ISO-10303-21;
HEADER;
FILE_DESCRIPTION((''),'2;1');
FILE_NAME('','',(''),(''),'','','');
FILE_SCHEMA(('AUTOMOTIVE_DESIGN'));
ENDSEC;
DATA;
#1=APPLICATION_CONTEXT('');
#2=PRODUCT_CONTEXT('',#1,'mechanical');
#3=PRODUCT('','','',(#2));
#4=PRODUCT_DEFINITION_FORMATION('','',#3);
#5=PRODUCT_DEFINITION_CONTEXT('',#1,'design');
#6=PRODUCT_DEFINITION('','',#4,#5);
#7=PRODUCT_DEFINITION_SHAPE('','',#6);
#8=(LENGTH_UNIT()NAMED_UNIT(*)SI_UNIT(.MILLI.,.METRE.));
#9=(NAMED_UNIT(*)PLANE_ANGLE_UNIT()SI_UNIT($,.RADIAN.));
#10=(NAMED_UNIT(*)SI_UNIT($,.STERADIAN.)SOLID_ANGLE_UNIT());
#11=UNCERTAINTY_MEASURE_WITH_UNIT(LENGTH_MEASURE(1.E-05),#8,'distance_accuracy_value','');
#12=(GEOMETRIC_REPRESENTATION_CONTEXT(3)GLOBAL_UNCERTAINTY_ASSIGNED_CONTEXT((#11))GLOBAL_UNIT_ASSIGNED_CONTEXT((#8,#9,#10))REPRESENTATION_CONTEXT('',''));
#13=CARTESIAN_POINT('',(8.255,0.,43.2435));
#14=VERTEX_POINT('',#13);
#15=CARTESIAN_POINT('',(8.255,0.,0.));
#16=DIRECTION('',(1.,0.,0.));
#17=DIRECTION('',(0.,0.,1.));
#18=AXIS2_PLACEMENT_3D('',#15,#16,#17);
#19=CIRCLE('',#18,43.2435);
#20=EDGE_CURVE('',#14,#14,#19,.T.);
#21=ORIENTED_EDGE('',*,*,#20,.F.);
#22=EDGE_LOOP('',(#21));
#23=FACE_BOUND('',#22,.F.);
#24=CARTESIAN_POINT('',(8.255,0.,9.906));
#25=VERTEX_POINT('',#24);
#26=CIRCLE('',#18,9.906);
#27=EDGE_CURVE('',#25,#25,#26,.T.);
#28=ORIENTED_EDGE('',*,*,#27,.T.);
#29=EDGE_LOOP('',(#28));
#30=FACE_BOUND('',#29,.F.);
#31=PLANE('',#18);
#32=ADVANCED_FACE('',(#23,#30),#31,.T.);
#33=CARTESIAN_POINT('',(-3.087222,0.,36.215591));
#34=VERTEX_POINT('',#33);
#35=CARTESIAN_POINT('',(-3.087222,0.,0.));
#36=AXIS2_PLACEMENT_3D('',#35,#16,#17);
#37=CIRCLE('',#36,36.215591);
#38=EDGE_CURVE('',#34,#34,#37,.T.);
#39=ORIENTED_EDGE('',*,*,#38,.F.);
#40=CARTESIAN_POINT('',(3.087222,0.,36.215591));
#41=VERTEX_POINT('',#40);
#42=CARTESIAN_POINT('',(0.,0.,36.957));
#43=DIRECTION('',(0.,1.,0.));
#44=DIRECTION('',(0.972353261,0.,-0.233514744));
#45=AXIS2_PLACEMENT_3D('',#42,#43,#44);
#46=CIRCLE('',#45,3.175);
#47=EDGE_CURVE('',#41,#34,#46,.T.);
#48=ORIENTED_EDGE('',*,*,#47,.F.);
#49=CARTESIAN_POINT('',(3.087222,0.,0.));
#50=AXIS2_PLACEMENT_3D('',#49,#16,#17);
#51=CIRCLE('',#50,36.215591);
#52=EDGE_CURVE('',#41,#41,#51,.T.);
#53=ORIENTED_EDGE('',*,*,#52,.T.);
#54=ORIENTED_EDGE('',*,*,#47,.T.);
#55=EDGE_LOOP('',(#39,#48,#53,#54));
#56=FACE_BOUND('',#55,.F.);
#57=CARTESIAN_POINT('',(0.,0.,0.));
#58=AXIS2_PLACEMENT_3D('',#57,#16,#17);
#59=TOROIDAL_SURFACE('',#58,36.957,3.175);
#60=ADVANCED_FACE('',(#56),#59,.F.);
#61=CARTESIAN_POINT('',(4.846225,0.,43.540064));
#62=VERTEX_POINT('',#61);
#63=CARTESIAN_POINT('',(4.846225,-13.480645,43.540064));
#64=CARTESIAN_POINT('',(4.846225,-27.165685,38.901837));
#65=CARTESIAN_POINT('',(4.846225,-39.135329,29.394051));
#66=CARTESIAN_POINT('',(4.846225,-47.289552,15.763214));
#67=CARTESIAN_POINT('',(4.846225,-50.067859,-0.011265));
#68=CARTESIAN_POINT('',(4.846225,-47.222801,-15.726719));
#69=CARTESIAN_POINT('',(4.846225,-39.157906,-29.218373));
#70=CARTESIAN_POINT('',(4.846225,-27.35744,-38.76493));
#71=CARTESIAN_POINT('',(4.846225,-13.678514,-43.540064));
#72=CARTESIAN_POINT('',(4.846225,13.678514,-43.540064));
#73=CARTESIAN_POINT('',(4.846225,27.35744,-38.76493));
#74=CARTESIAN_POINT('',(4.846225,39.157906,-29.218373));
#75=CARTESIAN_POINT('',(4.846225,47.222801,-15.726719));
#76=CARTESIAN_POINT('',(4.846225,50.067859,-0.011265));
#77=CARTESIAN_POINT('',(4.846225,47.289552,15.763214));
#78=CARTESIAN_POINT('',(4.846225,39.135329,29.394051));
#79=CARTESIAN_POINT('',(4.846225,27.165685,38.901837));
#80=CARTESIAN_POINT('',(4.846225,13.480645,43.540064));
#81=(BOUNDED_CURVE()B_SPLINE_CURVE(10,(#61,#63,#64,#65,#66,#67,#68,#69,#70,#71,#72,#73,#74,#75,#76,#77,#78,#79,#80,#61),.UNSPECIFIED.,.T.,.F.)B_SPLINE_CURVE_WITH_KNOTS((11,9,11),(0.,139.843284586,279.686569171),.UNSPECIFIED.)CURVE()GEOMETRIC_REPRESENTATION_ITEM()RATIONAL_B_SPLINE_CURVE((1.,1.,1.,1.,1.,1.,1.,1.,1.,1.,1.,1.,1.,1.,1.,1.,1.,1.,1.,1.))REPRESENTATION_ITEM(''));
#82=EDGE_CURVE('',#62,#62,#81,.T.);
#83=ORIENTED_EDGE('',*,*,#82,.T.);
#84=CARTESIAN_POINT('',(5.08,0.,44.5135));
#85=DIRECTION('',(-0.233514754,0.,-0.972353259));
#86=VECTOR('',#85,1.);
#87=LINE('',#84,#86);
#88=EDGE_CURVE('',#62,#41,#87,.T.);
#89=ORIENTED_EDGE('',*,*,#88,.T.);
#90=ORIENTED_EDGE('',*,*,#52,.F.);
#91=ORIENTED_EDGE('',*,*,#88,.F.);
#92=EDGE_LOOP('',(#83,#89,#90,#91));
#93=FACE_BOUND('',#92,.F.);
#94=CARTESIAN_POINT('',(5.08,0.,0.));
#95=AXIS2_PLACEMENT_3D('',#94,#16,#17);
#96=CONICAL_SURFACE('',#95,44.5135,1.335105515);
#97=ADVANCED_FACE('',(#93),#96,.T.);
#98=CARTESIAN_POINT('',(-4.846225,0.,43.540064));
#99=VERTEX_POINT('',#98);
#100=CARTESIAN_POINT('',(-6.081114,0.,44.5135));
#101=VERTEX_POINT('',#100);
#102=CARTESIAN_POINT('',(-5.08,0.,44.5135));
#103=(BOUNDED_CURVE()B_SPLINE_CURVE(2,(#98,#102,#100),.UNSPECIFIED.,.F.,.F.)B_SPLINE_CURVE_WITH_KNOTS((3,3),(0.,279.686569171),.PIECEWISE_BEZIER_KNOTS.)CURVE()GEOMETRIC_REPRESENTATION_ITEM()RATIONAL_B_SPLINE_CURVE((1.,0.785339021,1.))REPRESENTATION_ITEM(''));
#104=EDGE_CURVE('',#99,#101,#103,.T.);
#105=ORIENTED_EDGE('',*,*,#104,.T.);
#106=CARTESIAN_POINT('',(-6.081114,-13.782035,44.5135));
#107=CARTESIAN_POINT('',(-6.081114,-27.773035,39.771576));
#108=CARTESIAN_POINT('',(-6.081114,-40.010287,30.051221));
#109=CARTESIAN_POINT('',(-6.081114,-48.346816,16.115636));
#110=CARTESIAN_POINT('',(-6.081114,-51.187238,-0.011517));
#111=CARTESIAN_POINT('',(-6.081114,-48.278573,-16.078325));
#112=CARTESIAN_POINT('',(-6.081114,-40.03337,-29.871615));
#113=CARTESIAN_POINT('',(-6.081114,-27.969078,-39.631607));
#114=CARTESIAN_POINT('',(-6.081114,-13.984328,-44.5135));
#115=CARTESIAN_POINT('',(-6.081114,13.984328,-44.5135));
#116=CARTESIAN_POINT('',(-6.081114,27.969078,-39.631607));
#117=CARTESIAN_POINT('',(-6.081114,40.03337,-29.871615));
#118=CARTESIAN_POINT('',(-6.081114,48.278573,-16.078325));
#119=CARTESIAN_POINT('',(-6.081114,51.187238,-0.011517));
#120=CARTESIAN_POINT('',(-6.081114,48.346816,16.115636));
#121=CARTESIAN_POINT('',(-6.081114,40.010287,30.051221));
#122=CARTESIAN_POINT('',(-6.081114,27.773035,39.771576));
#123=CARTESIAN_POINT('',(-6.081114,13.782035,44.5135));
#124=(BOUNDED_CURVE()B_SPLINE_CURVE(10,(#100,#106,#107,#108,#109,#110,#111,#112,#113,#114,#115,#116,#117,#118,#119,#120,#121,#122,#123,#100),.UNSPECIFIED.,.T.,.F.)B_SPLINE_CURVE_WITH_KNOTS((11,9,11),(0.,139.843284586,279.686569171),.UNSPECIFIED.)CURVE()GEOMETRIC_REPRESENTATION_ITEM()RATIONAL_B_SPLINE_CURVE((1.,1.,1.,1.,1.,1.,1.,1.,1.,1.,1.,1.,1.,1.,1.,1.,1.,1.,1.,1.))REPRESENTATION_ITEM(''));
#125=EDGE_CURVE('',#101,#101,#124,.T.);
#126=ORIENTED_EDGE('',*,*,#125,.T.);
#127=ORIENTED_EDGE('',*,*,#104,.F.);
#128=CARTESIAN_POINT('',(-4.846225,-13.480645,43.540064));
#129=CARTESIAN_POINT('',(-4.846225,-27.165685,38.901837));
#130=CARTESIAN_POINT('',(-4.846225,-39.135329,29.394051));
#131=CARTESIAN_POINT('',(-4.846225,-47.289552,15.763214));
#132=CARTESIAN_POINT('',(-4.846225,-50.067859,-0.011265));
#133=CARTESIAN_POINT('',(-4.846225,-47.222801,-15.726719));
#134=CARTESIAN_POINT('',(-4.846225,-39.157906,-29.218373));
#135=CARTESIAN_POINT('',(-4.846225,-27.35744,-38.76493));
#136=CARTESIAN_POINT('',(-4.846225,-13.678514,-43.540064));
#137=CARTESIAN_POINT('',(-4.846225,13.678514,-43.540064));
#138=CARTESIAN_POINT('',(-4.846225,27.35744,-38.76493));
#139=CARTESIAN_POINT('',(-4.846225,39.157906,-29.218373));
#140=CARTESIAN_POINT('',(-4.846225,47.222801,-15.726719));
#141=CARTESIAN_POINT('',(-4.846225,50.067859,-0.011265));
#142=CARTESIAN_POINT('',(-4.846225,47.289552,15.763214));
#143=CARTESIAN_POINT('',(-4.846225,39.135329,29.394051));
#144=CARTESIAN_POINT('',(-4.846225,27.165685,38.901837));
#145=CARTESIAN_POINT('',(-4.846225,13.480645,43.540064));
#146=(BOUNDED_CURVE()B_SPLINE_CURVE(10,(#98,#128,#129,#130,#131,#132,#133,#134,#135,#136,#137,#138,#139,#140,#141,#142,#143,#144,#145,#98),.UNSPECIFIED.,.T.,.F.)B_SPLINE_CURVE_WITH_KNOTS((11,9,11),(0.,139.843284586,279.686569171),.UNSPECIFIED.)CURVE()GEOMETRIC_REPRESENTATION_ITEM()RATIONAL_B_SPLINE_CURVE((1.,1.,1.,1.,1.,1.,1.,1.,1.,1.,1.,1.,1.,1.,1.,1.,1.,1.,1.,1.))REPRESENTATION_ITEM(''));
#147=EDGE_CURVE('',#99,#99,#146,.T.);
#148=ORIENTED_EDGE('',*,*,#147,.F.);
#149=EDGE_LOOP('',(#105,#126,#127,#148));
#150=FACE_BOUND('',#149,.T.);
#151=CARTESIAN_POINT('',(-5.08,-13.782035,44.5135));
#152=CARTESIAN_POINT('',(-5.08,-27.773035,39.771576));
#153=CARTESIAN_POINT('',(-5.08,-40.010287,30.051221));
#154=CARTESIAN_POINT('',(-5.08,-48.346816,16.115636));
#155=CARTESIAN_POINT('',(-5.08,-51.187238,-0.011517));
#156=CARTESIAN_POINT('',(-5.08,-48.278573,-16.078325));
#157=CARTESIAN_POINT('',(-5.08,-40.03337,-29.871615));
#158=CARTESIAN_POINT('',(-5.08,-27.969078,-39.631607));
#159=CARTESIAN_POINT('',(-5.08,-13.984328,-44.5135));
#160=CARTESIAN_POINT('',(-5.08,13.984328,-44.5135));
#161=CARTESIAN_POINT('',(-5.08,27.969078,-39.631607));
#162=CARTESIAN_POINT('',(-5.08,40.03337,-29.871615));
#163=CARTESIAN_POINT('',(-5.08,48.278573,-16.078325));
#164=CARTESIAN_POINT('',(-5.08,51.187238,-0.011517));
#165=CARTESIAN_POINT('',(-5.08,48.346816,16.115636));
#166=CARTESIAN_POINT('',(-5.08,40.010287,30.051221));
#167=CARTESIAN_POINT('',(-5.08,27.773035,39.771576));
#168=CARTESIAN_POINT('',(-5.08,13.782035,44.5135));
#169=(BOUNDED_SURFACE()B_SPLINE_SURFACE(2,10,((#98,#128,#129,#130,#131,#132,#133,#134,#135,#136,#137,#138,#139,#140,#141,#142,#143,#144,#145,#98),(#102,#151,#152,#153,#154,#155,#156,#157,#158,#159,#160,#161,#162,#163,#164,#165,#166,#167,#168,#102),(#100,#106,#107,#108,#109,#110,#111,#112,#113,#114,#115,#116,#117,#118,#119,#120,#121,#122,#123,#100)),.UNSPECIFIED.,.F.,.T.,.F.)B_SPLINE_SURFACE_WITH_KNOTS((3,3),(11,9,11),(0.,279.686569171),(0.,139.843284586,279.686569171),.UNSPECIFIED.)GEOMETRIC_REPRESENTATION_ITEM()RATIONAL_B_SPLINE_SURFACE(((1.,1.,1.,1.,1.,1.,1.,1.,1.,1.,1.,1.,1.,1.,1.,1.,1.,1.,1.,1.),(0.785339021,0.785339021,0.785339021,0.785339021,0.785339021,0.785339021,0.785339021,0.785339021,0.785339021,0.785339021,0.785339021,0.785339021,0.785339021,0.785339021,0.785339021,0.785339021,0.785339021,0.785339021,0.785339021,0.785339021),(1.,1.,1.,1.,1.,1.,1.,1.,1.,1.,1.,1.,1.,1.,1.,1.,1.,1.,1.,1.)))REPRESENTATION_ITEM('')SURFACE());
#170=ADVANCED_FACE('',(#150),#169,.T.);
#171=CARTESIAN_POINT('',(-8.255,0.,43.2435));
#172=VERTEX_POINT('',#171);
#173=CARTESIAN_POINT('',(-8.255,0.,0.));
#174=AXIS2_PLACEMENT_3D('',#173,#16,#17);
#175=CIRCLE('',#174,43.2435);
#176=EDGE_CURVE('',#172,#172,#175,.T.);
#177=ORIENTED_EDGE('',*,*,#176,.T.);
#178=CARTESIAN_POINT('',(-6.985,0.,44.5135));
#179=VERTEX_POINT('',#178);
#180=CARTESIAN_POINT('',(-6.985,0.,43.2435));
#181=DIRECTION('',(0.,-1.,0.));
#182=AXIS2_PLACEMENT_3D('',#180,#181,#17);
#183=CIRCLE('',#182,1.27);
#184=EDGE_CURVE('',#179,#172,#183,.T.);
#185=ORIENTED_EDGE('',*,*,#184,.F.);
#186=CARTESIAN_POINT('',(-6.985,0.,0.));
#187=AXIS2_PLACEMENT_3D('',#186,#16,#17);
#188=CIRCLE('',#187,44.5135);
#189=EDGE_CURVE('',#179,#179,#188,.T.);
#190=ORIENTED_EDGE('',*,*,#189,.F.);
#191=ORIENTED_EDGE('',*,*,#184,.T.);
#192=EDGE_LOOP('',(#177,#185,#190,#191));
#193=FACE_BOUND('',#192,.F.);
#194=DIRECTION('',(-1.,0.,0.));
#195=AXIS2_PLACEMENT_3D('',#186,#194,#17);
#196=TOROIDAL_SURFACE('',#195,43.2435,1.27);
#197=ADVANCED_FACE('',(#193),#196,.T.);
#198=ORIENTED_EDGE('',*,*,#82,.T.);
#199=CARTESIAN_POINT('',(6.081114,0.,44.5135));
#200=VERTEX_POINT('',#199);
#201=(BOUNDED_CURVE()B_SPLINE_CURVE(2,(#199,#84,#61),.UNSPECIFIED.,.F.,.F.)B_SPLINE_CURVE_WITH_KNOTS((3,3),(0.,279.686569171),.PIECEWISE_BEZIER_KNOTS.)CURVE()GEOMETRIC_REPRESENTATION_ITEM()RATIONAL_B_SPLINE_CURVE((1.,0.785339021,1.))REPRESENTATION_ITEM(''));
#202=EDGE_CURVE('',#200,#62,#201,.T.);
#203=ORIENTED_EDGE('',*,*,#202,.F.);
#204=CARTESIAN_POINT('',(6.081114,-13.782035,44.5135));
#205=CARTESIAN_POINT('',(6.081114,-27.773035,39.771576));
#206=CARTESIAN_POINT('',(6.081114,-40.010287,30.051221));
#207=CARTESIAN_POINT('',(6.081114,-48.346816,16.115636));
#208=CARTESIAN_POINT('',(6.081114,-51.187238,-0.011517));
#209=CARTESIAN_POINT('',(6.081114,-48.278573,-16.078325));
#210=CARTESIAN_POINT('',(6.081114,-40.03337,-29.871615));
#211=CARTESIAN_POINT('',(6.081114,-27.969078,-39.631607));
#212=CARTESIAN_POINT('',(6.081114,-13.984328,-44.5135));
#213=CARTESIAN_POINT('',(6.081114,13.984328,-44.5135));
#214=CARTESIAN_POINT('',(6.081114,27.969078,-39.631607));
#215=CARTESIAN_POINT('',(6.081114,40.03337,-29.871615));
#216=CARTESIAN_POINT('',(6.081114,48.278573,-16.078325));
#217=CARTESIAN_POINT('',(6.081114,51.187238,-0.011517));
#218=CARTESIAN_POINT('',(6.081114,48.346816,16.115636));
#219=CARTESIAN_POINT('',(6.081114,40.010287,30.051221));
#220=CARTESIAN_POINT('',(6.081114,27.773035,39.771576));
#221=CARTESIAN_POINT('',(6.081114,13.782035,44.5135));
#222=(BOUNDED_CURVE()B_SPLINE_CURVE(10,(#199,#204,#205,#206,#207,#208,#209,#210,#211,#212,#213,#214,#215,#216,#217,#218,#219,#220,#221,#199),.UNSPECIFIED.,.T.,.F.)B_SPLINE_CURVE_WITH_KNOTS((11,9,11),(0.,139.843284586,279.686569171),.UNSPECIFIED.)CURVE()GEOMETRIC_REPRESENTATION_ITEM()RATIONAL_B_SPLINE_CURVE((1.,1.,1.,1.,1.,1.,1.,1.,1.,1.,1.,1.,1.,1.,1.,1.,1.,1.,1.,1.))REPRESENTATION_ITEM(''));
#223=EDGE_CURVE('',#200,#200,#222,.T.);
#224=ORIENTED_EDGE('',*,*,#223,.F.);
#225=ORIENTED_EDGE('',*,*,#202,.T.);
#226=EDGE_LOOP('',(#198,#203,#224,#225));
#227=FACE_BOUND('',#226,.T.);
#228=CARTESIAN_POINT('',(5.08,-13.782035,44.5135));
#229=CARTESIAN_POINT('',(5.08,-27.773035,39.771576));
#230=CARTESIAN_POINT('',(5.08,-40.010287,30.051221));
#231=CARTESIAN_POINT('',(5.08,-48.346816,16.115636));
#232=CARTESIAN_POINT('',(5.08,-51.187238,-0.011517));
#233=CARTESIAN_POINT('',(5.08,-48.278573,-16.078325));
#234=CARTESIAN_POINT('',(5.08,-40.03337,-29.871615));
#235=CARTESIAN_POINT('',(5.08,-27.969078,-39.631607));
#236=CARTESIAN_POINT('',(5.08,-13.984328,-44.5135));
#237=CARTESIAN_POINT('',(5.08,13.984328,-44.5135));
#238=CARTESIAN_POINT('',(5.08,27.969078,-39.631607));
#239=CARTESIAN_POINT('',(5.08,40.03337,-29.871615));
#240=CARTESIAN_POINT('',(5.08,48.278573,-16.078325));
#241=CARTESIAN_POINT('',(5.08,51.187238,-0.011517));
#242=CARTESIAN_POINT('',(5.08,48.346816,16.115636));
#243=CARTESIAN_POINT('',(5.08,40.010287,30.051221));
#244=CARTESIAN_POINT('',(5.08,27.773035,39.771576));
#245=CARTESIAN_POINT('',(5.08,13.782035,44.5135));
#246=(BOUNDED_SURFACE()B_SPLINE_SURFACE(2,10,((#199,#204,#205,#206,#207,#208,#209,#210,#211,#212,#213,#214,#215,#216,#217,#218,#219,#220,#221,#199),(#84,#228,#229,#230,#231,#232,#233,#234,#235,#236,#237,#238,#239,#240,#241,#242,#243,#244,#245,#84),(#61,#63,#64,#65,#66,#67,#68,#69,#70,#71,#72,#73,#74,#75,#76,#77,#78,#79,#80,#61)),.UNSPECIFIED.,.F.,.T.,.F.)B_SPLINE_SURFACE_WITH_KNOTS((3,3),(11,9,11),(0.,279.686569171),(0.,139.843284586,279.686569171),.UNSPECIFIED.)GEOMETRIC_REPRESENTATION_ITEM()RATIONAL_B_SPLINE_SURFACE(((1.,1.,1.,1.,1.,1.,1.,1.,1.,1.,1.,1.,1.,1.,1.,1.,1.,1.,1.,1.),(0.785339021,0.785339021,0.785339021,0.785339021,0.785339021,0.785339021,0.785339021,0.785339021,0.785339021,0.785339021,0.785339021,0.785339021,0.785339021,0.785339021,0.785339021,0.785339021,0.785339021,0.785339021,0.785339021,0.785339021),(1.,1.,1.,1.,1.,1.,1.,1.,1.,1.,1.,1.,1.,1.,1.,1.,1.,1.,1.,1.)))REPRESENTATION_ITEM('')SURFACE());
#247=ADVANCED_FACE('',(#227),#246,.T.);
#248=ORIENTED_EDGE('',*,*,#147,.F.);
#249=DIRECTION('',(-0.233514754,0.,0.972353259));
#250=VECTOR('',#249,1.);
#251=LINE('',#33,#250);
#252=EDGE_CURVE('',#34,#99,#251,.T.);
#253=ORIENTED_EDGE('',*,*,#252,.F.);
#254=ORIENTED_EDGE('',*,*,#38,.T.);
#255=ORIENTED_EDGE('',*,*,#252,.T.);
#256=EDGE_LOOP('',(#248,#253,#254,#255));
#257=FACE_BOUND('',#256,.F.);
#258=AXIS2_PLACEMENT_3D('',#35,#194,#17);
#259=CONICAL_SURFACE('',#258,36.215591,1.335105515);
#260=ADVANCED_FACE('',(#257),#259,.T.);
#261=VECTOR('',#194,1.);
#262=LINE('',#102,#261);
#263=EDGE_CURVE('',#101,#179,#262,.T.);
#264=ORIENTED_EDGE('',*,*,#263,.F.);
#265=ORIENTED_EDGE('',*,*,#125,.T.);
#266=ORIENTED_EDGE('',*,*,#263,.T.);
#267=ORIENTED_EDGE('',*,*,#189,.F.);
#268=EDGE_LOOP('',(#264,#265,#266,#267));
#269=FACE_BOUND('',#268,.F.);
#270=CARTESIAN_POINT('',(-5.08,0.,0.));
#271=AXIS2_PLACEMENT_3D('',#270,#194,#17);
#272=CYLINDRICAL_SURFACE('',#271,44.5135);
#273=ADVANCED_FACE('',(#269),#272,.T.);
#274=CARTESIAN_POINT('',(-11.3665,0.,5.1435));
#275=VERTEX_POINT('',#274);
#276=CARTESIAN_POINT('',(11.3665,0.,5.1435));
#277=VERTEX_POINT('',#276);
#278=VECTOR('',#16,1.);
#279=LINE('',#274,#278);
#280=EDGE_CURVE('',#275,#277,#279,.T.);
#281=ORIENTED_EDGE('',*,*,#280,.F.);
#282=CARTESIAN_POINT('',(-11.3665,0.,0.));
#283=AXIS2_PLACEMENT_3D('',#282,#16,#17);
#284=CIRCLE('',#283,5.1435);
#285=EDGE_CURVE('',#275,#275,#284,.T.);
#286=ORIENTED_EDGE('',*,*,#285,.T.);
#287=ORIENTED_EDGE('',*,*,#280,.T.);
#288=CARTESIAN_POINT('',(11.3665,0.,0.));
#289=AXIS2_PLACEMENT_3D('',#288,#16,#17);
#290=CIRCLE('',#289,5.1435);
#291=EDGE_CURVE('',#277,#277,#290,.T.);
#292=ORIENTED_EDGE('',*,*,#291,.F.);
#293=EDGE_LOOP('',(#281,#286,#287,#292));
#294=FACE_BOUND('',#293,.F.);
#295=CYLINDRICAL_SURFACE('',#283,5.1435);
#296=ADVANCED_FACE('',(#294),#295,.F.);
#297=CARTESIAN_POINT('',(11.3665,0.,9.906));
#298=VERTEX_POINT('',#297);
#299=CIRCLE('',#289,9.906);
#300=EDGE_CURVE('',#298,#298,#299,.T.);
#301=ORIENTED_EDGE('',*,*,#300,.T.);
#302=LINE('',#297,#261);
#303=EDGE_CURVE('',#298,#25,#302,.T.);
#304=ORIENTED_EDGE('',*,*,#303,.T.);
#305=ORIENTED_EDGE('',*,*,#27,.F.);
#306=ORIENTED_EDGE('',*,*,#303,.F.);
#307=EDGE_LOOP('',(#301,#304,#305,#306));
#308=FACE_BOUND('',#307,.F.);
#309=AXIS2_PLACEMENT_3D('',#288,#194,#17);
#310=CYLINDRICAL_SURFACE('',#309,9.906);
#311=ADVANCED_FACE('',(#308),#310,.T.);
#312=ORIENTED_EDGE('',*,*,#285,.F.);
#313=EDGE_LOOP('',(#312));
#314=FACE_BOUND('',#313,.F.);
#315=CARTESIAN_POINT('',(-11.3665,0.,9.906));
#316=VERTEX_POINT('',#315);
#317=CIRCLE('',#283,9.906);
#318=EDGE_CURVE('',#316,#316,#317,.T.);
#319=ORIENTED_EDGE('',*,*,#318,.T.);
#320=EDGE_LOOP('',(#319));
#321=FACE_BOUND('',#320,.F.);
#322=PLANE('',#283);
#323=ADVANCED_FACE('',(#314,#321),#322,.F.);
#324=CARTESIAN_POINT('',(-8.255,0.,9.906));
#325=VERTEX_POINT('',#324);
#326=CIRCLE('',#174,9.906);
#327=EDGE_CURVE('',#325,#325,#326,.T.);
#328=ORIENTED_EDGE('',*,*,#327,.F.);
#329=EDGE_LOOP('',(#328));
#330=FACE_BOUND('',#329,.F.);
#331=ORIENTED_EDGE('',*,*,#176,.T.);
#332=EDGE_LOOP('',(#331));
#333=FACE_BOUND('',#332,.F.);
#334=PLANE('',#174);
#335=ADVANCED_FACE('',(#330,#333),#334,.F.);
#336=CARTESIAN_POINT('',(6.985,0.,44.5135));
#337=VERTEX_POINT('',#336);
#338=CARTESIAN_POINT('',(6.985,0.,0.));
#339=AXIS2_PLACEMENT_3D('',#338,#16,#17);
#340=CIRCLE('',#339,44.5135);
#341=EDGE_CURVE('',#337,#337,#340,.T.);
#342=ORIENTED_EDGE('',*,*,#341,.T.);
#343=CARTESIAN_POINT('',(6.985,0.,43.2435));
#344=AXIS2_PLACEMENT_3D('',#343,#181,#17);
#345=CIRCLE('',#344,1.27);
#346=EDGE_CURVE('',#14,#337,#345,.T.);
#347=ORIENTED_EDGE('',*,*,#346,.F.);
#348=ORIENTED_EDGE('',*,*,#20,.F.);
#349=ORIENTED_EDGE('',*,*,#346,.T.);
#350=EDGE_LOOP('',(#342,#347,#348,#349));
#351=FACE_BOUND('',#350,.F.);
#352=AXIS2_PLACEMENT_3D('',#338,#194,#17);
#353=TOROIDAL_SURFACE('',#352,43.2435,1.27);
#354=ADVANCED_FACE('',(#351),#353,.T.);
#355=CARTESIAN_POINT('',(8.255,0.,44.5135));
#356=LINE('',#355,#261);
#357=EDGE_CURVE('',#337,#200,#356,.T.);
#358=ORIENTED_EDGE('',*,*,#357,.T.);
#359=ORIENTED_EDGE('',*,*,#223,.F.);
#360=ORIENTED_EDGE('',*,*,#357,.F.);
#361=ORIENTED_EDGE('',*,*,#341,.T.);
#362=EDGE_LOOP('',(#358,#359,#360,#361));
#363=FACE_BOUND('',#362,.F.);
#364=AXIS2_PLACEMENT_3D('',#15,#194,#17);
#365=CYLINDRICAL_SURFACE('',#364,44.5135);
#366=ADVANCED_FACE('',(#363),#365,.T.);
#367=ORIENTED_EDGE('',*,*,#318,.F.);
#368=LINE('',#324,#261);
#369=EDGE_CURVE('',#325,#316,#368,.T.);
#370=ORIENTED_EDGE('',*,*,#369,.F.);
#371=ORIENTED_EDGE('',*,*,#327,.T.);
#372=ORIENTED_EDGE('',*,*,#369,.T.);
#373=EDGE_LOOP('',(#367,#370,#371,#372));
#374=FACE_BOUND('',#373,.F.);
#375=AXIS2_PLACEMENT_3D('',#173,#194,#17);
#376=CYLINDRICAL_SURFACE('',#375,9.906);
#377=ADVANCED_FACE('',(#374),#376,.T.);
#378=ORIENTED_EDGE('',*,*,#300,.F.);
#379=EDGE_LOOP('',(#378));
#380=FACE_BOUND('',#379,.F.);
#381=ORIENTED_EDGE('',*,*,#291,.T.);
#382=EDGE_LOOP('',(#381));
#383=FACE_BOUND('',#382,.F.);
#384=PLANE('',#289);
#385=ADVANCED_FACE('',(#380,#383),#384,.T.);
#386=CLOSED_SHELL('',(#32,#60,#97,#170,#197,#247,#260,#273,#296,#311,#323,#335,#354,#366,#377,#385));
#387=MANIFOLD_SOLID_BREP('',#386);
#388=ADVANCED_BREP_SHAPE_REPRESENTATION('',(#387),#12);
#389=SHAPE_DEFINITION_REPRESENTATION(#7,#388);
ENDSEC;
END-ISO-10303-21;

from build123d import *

# Parameters (mm, degrees)
F2_R = 1.27


with BuildPart() as f1:
    # F0 (on Front) → F1 (revolve)
    with BuildSketch(Plane.XZ):
        with BuildLine():
            Line((-11.3665, 9.906), (-11.3665, 5.1435))
            Line((-11.3665, 5.1435), (11.3665, 5.1435))
            Line((11.3665, 5.1435), (11.3665, 9.906))
            Line((11.3665, 9.906), (8.255, 9.906))
            Line((8.255, 9.906), (8.255, 44.5135))
            Line((8.255, 44.5135), (5.08, 44.5135))
            Line((5.08, 44.5135), (3.087222, 36.215591))
            ThreePointArc((3.087222, 36.215591), (0, 33.782), (-3.087222, 36.215591))
            Line((-3.087222, 36.215591), (-5.08, 44.5135))
            Line((-5.08, 44.5135), (-8.255, 44.5135))
            Line((-8.255, 44.5135), (-8.255, 9.906))
            Line((-8.255, 9.906), (-11.3665, 9.906))
        make_face()
    revolve(axis=Axis((0, 0, 0), (1, 0, 0)))

    # F2
    f2_edges = [f1.edges().sort_by_distance(p)[0] for p in [
        (-5.08, 0, -44.5135),
        (-8.255, 0, -44.5135),
        (-6.6675, 0, 44.5135),
        (8.255, 0, -44.5135),
        (5.08, 0, -44.5135),
        (6.6675, 0, 44.5135),
    ]]
    fillet(f2_edges, radius=F2_R)


solid = f1.part
